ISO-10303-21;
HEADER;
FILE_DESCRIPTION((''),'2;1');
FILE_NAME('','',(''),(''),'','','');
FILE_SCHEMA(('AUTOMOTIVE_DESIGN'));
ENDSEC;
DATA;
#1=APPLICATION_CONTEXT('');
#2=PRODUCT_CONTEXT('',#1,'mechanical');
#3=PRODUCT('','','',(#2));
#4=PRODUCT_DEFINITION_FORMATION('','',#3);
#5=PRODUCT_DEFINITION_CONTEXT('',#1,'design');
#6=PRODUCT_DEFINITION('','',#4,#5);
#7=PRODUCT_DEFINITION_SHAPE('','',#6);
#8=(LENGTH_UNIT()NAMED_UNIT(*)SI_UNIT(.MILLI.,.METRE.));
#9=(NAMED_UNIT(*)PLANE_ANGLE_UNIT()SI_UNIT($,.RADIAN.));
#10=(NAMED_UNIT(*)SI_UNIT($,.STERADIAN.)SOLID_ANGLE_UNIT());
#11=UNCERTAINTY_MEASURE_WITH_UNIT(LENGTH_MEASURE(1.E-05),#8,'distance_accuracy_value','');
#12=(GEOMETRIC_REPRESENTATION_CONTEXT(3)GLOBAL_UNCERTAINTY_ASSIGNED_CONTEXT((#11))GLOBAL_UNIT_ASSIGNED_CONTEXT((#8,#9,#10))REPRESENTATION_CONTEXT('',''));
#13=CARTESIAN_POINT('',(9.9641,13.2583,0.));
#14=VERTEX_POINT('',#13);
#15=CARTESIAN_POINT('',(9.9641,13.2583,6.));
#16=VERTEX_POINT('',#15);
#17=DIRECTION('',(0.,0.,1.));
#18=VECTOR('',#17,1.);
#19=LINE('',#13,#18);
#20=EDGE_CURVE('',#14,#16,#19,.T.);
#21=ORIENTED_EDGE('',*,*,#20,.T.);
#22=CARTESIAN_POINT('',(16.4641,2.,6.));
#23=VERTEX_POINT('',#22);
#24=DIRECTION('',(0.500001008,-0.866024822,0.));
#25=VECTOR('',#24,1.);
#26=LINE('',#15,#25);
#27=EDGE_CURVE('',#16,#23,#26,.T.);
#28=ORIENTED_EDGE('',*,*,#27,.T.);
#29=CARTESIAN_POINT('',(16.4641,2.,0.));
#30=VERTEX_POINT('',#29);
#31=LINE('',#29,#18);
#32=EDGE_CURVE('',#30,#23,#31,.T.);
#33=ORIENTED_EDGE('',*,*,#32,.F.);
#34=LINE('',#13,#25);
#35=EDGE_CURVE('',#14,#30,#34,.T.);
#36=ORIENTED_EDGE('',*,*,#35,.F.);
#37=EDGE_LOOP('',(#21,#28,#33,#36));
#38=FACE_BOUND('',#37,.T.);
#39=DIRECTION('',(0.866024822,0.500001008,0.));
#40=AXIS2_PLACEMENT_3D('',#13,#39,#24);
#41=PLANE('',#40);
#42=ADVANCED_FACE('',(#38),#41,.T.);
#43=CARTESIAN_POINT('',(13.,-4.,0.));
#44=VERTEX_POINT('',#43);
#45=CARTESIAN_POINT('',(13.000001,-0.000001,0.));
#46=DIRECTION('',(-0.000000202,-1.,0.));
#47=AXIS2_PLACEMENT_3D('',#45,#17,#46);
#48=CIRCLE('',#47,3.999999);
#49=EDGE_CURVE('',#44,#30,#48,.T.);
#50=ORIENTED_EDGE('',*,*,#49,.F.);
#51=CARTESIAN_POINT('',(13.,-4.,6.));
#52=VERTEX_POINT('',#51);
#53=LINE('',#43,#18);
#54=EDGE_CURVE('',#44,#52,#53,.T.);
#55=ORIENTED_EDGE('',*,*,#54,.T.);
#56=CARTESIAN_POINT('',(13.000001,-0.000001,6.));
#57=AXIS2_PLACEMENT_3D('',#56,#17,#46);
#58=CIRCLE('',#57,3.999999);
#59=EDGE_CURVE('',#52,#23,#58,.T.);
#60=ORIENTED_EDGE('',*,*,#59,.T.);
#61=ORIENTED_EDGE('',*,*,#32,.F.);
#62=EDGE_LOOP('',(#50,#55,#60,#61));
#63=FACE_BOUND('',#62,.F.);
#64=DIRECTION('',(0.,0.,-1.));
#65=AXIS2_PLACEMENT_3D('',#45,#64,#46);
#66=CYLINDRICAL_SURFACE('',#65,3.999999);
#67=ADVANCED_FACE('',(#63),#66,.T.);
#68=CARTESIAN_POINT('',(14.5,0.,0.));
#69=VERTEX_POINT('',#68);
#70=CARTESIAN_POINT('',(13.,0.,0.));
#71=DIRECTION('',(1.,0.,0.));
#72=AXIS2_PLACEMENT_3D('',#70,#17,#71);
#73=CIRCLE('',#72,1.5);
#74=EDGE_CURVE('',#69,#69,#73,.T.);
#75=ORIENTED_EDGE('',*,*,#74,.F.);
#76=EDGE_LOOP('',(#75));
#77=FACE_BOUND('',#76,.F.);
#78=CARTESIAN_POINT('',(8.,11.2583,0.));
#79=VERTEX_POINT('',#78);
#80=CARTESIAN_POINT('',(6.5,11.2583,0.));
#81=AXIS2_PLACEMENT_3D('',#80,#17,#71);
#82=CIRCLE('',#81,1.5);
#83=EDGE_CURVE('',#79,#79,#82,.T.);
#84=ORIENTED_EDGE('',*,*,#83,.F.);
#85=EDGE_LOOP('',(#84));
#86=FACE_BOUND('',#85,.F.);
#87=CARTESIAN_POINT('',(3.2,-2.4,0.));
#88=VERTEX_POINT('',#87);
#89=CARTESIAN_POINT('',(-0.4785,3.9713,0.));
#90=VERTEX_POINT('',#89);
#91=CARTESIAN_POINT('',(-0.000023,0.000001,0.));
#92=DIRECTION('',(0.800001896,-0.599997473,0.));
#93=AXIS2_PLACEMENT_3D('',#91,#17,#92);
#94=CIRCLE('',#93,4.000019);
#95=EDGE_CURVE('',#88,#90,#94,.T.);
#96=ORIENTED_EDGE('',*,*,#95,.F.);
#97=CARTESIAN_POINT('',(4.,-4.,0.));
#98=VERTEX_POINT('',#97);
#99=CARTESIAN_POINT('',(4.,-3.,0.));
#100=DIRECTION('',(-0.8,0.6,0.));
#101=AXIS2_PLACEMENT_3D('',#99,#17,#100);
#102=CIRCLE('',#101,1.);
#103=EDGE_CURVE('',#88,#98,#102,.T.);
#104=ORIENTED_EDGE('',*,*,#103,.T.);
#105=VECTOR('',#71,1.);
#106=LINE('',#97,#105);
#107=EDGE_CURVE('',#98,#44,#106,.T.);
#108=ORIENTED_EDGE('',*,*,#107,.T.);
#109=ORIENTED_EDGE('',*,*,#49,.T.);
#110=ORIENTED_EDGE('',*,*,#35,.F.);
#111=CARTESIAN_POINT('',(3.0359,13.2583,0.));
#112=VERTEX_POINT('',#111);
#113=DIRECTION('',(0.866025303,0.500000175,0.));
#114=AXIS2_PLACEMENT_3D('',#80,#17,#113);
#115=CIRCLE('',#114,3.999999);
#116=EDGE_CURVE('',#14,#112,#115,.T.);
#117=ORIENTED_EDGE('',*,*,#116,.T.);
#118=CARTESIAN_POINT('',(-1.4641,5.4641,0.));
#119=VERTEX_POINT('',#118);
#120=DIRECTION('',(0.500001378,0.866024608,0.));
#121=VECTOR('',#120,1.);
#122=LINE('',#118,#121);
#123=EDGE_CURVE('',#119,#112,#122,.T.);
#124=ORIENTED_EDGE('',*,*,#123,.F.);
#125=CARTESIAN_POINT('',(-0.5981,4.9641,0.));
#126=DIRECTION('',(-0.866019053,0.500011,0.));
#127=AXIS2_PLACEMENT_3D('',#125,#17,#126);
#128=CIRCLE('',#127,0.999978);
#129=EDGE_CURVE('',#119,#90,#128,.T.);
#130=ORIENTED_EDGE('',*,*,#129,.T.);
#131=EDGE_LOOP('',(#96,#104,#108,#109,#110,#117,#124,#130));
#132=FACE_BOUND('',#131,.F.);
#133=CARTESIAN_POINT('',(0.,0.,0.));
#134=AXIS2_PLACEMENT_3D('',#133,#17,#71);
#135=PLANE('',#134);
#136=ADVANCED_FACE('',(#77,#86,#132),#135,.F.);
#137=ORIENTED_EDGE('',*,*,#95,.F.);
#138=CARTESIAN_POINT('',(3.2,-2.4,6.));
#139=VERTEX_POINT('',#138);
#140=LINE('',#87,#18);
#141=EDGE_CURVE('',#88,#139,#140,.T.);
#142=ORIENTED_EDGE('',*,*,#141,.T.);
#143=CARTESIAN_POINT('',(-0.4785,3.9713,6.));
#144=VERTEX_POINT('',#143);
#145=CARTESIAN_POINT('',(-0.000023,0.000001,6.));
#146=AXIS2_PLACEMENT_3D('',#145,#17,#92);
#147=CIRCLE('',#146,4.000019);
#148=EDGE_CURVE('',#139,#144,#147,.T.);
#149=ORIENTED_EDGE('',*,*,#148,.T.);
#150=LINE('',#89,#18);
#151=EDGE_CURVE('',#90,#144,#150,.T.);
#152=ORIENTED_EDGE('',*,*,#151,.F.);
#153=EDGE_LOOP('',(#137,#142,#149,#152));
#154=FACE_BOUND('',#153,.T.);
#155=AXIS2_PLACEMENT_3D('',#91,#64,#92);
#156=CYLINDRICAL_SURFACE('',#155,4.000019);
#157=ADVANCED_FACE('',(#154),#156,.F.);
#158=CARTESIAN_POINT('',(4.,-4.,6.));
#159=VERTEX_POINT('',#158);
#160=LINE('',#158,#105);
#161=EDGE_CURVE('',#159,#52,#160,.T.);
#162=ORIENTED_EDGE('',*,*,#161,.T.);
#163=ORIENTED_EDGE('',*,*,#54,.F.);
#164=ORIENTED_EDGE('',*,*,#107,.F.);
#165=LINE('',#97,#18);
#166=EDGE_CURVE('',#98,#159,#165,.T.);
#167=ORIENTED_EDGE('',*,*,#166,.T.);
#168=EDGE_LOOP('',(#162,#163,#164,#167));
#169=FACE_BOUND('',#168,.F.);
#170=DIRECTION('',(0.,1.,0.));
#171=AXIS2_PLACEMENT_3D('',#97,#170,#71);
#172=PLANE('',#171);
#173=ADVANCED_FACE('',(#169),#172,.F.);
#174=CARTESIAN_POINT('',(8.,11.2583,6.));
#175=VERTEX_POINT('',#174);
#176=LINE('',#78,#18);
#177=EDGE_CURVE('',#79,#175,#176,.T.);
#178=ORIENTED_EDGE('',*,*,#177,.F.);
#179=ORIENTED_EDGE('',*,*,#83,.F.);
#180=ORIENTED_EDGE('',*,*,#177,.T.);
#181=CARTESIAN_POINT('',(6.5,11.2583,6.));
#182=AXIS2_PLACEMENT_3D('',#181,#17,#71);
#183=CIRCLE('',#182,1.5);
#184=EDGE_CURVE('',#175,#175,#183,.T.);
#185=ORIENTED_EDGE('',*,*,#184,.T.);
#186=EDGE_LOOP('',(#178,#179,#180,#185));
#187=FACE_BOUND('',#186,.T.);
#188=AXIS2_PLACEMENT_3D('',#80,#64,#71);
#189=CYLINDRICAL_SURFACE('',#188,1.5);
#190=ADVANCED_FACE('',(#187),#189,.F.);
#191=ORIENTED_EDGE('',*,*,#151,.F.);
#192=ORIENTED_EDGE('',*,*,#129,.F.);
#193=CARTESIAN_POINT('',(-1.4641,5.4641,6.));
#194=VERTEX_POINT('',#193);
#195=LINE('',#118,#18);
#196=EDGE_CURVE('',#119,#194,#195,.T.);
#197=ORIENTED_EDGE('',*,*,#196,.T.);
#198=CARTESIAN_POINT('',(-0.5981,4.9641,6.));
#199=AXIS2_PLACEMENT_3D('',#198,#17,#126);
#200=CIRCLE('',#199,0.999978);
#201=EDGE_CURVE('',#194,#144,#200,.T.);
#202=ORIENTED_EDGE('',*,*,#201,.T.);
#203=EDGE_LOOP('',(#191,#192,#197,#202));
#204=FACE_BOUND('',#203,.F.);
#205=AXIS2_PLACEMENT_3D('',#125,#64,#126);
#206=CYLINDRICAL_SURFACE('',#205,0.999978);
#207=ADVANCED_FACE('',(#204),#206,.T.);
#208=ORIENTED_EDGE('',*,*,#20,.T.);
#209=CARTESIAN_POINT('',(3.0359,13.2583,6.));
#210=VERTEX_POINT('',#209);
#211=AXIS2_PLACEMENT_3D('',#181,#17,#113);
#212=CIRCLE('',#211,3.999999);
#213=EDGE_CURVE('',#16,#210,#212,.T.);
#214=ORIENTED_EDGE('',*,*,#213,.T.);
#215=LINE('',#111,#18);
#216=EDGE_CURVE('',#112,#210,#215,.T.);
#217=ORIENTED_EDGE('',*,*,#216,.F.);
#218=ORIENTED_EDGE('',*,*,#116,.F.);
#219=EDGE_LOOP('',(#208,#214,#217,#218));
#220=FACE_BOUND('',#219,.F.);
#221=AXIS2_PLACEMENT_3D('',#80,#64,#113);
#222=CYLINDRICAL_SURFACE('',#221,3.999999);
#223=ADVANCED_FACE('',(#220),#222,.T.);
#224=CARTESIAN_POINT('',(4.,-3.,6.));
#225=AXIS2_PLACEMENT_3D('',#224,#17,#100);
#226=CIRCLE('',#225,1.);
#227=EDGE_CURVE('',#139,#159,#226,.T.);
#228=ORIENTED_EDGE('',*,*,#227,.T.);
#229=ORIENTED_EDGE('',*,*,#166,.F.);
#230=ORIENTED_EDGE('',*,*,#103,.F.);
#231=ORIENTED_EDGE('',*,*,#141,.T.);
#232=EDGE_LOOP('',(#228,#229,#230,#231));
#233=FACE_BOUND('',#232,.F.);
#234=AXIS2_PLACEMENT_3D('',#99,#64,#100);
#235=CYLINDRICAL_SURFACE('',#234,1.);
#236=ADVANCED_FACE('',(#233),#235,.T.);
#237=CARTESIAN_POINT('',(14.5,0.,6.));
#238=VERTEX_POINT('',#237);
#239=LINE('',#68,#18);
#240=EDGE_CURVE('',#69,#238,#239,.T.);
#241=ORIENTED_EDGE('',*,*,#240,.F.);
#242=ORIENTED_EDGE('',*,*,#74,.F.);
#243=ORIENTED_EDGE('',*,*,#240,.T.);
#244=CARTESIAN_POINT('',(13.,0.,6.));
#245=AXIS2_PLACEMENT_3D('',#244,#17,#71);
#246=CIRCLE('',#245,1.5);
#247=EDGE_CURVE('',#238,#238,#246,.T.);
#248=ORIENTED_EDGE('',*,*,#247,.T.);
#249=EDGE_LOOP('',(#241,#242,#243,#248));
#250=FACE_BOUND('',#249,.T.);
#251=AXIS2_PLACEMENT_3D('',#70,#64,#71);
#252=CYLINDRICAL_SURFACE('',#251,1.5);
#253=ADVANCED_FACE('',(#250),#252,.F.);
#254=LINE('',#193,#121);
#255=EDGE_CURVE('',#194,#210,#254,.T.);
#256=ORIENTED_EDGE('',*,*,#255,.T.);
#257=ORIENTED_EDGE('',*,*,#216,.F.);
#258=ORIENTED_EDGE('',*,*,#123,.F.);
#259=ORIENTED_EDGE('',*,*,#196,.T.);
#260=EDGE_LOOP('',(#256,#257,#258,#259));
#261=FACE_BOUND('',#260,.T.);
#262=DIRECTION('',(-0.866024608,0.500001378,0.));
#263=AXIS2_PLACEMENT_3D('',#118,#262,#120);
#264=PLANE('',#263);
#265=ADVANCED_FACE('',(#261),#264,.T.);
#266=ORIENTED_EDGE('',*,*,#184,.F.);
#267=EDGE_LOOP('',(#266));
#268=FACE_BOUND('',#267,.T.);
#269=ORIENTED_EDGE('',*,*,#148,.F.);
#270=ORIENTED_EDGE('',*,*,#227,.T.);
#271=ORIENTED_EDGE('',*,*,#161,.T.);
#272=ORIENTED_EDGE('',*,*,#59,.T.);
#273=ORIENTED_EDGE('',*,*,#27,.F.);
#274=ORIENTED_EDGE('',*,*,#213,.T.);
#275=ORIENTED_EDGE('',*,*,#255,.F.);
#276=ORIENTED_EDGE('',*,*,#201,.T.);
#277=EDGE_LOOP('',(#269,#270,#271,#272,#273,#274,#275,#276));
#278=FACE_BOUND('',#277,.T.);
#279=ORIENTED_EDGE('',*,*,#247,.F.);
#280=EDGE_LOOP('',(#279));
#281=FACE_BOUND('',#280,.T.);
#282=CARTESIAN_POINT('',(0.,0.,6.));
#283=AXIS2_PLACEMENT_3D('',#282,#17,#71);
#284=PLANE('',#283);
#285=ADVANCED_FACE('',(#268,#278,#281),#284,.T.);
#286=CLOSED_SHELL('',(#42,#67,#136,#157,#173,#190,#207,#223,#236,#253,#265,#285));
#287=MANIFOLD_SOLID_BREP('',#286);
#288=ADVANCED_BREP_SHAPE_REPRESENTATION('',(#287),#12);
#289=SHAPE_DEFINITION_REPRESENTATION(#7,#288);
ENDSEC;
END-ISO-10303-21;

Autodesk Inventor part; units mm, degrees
ref_plane "YZ Plane" through (0, 0, 0) normal (1, 0, 0) x (0, 1, 0)
ref_plane "XZ Plane" through (0, 0, 0) normal (0, 1, 0) x (-1, 0, 0)
ref_plane "XY Plane" through (0, 0, 0) normal (0, 0, 1) x (1, 0, 0)
sketch "Sketch1" plane through (0, 0, 0) normal (0, 0, 1) x (1, 0, 0)
  circle A0 centre (13, 0) radius 1.5
  circle A1 centre (6.5, 11.2583) radius 1.5
  arc A2 (9.9641, 13.2583) -> (3.0359, 13.2583) centre (6.5, 11.2583) ccw
  arc A3 (13, -4) -> (16.4641, 2) centre (13, 0) ccw
  line L0 (9.9641, 13.2583) -> (16.4641, 2)
  arc A4 (3.2, -2.4) -> (-0.4785, 3.9713) centre (0, 0) ccw
  line L1 (4, -4) -> (13, -4)
  line L2 (-1.4641, 5.4641) -> (3.0359, 13.2583)
  arc A5 (-1.4641, 5.4641) -> (-0.4785, 3.9713) centre (-0.5981, 4.9641) ccw
  arc A6 (3.2, -2.4) -> (4, -4) centre (4, -3) ccw
  point P0 (0, -4)
  point P1 (-3.4641, 2)
  dimension "d0" = 3
  dimension "d1" = 3
  dimension "d3" = 13
  dimension "d4" = 13
  dimension "d24" = 60
  dimension "d25" = 8
  dimension "d26" = 8
  dimension "d27" = 8
  dimension "d30" = 1
extrude "Extrusion1" add sketch "Sketch1" along normal blind 6
properties part number "X_zaslepka"
